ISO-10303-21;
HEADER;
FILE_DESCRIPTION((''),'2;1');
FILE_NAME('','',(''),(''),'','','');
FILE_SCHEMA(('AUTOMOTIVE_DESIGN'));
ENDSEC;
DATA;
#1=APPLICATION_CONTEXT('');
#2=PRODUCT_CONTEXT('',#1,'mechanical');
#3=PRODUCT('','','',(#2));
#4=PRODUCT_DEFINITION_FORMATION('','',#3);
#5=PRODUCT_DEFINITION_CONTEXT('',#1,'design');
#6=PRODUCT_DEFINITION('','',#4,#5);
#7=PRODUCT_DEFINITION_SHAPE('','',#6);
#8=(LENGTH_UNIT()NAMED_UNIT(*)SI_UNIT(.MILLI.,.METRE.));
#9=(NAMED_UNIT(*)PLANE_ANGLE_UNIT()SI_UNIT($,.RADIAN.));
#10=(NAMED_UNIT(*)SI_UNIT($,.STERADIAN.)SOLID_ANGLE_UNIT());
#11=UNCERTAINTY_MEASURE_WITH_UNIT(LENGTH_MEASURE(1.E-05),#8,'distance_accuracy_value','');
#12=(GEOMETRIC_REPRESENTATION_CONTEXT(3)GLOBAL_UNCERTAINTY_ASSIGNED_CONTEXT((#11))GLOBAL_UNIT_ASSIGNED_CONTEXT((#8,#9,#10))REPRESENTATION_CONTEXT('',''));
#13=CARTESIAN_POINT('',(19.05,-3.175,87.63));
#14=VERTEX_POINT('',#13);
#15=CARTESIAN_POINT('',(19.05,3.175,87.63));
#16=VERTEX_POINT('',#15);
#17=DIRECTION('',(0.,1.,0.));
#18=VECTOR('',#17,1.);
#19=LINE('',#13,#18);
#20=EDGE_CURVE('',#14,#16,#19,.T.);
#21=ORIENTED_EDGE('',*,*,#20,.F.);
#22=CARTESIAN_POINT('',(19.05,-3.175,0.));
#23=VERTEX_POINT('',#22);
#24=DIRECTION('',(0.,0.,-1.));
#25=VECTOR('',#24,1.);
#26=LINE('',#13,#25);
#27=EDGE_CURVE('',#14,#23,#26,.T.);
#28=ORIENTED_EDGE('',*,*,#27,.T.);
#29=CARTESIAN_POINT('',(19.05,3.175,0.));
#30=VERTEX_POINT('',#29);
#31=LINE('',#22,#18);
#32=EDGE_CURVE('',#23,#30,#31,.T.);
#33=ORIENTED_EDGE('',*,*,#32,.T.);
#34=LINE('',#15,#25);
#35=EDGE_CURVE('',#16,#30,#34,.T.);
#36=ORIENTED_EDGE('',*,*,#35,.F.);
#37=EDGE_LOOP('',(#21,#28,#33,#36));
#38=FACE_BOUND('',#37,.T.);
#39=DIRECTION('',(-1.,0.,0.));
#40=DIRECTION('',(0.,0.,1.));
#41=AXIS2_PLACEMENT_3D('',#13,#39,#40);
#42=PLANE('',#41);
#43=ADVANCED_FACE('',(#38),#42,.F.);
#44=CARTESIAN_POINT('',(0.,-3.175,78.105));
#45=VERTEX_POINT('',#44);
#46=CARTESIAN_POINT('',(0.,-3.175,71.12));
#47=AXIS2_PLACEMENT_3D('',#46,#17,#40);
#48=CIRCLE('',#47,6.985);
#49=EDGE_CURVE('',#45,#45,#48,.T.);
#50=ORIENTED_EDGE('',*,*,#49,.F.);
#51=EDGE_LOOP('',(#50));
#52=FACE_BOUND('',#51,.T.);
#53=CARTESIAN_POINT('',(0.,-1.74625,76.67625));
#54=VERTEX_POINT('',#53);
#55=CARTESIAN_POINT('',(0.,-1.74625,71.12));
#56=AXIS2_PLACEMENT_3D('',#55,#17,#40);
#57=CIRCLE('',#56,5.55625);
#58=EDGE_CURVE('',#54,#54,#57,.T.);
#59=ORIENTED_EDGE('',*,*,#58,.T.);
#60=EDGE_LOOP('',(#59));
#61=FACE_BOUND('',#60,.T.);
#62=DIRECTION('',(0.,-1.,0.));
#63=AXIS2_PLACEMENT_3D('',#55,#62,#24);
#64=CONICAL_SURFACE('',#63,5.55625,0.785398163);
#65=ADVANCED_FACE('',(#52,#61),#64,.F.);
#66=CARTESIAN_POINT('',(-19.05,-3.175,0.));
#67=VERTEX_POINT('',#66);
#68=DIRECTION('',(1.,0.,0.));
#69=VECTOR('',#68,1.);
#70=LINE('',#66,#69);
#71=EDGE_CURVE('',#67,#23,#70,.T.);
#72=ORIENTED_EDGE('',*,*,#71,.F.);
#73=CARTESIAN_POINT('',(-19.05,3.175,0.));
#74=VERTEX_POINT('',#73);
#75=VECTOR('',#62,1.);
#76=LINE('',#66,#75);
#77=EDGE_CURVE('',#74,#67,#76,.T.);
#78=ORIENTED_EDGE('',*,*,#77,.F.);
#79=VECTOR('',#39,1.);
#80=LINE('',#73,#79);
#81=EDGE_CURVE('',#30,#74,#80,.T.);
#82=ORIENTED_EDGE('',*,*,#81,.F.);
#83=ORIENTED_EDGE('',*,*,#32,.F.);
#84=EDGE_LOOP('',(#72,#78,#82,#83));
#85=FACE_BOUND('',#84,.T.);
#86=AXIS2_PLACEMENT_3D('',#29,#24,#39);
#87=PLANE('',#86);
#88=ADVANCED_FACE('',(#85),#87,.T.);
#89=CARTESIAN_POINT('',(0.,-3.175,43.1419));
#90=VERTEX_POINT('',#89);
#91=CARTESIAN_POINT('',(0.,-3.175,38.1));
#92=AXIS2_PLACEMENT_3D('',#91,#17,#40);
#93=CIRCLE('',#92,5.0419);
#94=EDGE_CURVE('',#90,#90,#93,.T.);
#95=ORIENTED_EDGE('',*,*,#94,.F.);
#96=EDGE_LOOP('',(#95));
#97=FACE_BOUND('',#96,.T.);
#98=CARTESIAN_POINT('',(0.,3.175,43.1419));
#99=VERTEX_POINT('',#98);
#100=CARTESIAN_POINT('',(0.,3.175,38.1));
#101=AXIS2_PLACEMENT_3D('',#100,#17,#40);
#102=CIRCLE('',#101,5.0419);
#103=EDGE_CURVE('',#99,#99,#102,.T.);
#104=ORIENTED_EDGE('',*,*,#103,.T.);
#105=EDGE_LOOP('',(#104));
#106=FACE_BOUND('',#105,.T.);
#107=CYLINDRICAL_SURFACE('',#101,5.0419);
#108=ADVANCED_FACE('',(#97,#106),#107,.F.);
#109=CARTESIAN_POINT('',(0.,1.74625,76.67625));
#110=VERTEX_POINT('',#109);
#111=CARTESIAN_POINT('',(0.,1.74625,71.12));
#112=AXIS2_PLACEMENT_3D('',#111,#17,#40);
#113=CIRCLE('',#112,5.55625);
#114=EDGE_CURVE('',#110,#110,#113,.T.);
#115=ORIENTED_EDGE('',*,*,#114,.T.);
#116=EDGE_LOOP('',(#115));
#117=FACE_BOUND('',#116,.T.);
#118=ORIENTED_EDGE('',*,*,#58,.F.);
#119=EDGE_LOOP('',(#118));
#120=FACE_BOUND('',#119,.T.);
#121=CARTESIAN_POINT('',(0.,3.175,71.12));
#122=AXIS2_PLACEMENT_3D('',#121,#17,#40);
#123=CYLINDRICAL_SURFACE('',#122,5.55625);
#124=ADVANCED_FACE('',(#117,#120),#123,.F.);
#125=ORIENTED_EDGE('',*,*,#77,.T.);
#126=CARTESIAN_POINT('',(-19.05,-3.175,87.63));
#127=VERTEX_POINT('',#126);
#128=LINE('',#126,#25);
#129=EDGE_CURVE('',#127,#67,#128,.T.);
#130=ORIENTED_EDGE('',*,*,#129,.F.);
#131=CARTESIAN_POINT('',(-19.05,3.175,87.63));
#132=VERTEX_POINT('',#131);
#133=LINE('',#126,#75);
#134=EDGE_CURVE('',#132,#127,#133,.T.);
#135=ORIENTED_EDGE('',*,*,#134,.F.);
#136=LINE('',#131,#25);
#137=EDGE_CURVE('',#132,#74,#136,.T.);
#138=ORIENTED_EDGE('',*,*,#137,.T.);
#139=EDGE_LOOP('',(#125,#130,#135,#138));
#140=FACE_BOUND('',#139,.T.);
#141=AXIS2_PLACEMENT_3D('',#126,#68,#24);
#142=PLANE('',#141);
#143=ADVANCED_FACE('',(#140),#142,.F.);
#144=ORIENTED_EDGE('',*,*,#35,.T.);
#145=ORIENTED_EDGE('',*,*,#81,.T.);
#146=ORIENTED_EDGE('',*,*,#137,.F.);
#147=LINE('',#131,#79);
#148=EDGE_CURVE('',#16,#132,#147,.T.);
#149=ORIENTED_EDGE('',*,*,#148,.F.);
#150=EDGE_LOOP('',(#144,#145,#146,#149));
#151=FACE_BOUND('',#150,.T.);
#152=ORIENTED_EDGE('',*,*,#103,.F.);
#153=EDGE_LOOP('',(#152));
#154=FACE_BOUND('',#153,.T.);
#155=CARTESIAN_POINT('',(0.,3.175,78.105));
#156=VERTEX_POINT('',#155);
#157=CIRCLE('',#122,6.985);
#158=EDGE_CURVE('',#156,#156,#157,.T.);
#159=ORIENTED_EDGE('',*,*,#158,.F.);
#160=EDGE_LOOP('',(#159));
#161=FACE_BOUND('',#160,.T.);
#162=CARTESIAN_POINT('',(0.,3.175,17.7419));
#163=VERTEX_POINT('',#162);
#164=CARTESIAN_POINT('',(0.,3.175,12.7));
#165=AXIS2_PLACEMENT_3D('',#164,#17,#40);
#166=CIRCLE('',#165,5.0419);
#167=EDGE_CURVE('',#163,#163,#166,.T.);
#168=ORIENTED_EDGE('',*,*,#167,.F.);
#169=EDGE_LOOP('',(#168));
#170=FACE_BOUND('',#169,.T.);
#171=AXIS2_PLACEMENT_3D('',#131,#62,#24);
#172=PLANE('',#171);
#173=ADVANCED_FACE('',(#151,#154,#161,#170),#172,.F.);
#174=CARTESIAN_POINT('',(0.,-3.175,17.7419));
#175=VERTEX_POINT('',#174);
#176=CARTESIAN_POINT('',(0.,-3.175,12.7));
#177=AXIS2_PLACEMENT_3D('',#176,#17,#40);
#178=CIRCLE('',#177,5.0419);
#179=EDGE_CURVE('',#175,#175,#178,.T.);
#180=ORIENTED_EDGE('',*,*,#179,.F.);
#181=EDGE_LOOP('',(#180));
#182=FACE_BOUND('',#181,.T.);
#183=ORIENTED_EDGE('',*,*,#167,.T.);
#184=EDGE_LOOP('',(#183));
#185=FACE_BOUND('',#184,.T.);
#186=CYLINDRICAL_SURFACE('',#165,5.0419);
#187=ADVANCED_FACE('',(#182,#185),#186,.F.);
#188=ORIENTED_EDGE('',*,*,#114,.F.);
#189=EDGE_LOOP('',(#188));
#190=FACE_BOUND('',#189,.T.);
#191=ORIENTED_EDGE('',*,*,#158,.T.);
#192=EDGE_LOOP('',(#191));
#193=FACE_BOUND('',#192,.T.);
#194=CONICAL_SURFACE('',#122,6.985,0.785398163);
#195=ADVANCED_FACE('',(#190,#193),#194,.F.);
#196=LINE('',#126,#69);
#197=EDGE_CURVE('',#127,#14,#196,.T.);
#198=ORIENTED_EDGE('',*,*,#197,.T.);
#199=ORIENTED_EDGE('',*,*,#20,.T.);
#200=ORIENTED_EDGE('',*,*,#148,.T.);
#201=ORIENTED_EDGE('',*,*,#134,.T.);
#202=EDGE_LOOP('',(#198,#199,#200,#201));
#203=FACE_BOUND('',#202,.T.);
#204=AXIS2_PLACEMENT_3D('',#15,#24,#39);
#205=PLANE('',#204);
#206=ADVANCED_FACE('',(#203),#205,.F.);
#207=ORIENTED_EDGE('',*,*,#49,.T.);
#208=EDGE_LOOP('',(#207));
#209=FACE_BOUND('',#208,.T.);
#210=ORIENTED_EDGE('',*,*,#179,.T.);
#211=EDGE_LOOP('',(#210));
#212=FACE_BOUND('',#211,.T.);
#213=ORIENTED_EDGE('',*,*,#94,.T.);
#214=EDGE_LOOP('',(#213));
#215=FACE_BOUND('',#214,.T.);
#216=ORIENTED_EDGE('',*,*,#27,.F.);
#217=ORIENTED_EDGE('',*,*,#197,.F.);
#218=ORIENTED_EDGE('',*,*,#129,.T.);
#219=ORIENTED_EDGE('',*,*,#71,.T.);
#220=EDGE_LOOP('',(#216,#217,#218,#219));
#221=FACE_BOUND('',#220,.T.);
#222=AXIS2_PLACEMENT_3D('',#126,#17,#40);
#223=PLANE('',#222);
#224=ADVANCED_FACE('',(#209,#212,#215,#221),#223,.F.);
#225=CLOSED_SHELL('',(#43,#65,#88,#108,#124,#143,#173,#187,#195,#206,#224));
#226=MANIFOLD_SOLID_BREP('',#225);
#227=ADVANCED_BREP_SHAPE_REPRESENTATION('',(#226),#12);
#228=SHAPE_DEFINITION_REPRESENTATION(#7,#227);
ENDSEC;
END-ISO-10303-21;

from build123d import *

# Parameters (mm, degrees)
SKETCH1_W                   = 38.1
SKETCH1_H                   = 6.35
EXTRUDE1_DEPTH              = 87.63
F_3_8_CLEARANCE_HOLE1_D     = 10.0838
F_3_8_CLEARANCE_HOLE1_DEPTH = 16.002
F_3_8_CLEARANCE_HOLE1_TIP   = 3.029479155


with BuildPart() as part:
    # Sketch1 → Extrude1 (new body)
    with BuildSketch(Plane.XY):
        Rectangle(SKETCH1_W, SKETCH1_H)
    extrude(amount=EXTRUDE1_DEPTH)

    # 3/8 Clearance Hole1
    with Locations(Plane(origin=(0, 3.175, 12.7), x_dir=(0, 0, 1), z_dir=(0, 1, 0))):
        with Locations((0, 0), (25.4, 0)):
            Hole(F_3_8_CLEARANCE_HOLE1_D / 2, depth=F_3_8_CLEARANCE_HOLE1_DEPTH)
            with Locations((0, 0, -(F_3_8_CLEARANCE_HOLE1_DEPTH + F_3_8_CLEARANCE_HOLE1_TIP / 2))):  # 118° drill point
                Cone(0, F_3_8_CLEARANCE_HOLE1_D / 2, F_3_8_CLEARANCE_HOLE1_TIP, mode=Mode.SUBTRACT)

    # Sketch4 → 7/16 (0.4375) Diameter Hole2 (revolve, cut)
    with BuildSketch(Plane(origin=(0, 3.175, 71.12), x_dir=(0, 0, 1), z_dir=(1, 0, 0))):
        Polygon((0, 0), (0, 6.35), (6.985, 6.35), (5.55625, 4.92125), (5.55625, 1.42875), (6.985, 0), align=None)
    revolve(axis=Axis((0, 9.525, 71.12), (0, -1, 0)), mode=Mode.SUBTRACT)


solid = part.part
